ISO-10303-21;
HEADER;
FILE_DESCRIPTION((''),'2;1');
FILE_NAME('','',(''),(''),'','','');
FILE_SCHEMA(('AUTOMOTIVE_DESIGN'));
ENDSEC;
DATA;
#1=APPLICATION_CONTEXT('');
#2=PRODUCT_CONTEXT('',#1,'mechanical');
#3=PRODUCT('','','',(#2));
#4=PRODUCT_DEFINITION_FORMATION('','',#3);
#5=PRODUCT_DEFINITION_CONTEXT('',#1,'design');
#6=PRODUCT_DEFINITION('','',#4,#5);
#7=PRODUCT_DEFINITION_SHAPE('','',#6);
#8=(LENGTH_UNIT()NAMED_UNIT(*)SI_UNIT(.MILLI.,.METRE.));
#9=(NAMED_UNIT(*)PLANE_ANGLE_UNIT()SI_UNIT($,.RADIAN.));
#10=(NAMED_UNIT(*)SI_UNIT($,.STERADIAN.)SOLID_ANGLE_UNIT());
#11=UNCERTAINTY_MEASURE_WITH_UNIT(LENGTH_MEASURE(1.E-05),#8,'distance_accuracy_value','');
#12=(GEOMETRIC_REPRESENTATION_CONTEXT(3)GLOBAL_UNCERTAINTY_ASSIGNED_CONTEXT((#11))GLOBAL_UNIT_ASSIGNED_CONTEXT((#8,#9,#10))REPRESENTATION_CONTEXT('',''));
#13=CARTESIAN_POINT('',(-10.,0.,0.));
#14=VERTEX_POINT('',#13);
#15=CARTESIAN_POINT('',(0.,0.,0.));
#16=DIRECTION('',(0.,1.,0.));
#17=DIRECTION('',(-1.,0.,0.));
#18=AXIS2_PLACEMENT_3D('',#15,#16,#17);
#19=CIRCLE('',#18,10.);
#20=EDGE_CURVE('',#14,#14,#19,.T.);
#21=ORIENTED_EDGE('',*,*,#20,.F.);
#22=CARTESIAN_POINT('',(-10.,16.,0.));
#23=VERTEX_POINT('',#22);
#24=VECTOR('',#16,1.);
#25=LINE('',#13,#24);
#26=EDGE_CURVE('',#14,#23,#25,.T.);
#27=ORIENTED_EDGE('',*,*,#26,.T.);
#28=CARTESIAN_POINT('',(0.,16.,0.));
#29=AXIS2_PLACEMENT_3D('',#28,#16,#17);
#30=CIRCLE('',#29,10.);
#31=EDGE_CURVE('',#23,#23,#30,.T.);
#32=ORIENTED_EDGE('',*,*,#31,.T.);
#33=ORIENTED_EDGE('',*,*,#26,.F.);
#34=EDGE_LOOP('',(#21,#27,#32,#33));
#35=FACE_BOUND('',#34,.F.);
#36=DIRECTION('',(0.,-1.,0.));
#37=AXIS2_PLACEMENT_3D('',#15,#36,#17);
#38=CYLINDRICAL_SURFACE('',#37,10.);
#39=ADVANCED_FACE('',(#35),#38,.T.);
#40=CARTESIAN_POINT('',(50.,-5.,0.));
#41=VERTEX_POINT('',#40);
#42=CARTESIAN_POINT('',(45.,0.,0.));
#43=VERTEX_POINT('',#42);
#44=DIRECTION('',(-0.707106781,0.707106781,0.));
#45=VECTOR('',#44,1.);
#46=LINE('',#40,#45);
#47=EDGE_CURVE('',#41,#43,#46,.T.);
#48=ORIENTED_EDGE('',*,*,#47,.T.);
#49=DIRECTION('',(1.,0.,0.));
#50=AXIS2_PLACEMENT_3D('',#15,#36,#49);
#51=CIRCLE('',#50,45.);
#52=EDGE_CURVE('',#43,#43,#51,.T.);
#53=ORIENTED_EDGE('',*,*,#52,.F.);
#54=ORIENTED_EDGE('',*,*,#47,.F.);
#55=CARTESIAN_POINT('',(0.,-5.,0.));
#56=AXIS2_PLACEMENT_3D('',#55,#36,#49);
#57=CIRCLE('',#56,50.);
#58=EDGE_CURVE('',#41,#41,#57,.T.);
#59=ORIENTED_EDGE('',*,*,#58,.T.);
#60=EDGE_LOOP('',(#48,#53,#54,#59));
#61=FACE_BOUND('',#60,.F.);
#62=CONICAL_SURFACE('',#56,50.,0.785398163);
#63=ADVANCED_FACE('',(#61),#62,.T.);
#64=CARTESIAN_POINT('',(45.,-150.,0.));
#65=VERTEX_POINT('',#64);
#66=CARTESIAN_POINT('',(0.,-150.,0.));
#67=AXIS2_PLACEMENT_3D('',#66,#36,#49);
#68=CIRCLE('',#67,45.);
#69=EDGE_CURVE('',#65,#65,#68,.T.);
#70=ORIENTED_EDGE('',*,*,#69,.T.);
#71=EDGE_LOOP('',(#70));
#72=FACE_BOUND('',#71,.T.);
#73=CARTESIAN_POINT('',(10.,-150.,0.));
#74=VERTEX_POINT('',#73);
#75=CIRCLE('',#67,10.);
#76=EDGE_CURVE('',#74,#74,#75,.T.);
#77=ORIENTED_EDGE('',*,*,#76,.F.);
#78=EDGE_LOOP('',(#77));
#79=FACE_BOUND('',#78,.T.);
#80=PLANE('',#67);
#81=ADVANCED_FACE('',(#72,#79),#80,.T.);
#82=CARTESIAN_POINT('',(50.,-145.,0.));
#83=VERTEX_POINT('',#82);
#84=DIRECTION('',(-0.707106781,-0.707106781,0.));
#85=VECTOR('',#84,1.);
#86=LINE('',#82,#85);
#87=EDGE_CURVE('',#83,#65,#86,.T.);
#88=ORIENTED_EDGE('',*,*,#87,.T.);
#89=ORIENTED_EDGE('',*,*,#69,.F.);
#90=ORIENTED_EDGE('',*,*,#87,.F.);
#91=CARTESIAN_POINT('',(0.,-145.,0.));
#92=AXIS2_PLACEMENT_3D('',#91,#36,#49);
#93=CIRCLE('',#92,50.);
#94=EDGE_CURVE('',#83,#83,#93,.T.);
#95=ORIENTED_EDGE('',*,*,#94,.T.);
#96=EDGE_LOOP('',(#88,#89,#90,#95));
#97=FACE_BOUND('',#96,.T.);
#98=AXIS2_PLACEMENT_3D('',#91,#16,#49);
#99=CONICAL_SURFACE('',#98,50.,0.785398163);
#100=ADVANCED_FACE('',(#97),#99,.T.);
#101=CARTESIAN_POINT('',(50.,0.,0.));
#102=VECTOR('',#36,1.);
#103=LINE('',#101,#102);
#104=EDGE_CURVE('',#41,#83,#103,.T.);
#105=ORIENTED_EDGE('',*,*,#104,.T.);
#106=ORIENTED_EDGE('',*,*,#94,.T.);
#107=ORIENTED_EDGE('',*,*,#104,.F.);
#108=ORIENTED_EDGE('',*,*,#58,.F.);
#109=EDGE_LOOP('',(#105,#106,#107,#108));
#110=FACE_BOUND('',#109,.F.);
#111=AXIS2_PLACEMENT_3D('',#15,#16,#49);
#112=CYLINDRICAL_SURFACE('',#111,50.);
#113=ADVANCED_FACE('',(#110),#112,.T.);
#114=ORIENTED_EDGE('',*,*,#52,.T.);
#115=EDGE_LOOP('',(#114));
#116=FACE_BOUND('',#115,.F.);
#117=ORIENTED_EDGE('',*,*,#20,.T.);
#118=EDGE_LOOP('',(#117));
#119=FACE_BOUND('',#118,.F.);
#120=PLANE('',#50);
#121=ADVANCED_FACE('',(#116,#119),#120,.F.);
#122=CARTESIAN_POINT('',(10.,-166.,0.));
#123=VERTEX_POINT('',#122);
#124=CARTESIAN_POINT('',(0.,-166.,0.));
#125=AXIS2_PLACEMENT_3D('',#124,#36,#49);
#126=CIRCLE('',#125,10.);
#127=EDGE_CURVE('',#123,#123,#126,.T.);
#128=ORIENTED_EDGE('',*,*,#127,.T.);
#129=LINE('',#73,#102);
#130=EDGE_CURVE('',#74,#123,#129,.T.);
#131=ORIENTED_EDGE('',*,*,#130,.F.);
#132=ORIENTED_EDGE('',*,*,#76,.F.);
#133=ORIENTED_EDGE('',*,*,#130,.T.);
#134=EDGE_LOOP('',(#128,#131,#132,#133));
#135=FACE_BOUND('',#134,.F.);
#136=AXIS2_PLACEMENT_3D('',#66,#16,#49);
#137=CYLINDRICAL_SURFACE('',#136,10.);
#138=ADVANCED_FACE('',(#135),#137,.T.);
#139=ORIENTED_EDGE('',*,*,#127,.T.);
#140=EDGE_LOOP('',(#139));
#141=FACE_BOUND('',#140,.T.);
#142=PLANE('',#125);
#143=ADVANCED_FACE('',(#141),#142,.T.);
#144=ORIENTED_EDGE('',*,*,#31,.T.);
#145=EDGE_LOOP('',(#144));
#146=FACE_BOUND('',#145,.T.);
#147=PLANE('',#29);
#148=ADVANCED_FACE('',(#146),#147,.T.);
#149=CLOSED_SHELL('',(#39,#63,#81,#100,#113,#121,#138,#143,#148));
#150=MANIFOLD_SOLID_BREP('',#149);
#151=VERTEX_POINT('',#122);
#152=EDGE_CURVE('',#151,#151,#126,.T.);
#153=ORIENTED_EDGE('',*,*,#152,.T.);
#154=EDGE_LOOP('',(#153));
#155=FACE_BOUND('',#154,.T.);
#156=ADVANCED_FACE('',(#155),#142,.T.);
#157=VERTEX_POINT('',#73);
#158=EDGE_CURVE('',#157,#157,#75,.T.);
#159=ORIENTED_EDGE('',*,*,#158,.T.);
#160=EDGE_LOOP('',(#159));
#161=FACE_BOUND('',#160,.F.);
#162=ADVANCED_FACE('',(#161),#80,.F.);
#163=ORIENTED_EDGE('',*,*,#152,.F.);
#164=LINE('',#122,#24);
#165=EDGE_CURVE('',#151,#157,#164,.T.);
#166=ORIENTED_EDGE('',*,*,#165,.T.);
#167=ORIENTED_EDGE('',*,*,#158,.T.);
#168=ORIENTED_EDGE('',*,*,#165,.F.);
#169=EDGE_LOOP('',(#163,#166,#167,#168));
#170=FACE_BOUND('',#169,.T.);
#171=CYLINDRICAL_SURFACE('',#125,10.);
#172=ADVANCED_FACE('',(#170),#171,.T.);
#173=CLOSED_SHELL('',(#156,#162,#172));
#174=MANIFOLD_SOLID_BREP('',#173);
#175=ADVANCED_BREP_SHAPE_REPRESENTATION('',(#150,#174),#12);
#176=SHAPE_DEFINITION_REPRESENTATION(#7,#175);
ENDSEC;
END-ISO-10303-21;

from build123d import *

# Parameters (mm, degrees)
F0_R      = 50
F1_DEPTH  = 150
F2_SIZE2  = 5
F2_SIZE   = 5
F3_R      = 10
F4_DEPTH  = 16
F5_R      = 10
F6_DEPTH  = 16
F6_FACE_R = 10
F7_DEPTH  = 16


with BuildPart() as f1:
    # F0 (on Front) → F1 (new body)
    with BuildSketch(Plane.XZ):
        Circle(F0_R)
    extrude(amount=F1_DEPTH)

    # F2
    f2_edges = [f1.edges().sort_by_distance(p)[0] for p in [
        (50, -75, 0),
        (-50, 0, 0),
        (-50, -150, 0),
    ]]
    chamfer(f2_edges, length=F2_SIZE, length2=F2_SIZE2)

    # F3 (on face) → F4 (join)
    with BuildSketch(Plane(origin=(0, 0, 0), x_dir=(-1, 0, 0), z_dir=(0, 1, 0))):
        Circle(F3_R)
    extrude(amount=F4_DEPTH)

    # F5 (on face) → F6 (join)
    with BuildSketch(Plane.XZ.offset(150)):
        Circle(F5_R)
    extrude(amount=F6_DEPTH)


with BuildPart() as f7:
    # F6_face (on face) → F7 (new body)
    with BuildSketch(Plane.XZ.offset(166)):
        Circle(F6_FACE_R)
    extrude(amount=-F7_DEPTH)


solid = Compound([f1.part, f7.part])
